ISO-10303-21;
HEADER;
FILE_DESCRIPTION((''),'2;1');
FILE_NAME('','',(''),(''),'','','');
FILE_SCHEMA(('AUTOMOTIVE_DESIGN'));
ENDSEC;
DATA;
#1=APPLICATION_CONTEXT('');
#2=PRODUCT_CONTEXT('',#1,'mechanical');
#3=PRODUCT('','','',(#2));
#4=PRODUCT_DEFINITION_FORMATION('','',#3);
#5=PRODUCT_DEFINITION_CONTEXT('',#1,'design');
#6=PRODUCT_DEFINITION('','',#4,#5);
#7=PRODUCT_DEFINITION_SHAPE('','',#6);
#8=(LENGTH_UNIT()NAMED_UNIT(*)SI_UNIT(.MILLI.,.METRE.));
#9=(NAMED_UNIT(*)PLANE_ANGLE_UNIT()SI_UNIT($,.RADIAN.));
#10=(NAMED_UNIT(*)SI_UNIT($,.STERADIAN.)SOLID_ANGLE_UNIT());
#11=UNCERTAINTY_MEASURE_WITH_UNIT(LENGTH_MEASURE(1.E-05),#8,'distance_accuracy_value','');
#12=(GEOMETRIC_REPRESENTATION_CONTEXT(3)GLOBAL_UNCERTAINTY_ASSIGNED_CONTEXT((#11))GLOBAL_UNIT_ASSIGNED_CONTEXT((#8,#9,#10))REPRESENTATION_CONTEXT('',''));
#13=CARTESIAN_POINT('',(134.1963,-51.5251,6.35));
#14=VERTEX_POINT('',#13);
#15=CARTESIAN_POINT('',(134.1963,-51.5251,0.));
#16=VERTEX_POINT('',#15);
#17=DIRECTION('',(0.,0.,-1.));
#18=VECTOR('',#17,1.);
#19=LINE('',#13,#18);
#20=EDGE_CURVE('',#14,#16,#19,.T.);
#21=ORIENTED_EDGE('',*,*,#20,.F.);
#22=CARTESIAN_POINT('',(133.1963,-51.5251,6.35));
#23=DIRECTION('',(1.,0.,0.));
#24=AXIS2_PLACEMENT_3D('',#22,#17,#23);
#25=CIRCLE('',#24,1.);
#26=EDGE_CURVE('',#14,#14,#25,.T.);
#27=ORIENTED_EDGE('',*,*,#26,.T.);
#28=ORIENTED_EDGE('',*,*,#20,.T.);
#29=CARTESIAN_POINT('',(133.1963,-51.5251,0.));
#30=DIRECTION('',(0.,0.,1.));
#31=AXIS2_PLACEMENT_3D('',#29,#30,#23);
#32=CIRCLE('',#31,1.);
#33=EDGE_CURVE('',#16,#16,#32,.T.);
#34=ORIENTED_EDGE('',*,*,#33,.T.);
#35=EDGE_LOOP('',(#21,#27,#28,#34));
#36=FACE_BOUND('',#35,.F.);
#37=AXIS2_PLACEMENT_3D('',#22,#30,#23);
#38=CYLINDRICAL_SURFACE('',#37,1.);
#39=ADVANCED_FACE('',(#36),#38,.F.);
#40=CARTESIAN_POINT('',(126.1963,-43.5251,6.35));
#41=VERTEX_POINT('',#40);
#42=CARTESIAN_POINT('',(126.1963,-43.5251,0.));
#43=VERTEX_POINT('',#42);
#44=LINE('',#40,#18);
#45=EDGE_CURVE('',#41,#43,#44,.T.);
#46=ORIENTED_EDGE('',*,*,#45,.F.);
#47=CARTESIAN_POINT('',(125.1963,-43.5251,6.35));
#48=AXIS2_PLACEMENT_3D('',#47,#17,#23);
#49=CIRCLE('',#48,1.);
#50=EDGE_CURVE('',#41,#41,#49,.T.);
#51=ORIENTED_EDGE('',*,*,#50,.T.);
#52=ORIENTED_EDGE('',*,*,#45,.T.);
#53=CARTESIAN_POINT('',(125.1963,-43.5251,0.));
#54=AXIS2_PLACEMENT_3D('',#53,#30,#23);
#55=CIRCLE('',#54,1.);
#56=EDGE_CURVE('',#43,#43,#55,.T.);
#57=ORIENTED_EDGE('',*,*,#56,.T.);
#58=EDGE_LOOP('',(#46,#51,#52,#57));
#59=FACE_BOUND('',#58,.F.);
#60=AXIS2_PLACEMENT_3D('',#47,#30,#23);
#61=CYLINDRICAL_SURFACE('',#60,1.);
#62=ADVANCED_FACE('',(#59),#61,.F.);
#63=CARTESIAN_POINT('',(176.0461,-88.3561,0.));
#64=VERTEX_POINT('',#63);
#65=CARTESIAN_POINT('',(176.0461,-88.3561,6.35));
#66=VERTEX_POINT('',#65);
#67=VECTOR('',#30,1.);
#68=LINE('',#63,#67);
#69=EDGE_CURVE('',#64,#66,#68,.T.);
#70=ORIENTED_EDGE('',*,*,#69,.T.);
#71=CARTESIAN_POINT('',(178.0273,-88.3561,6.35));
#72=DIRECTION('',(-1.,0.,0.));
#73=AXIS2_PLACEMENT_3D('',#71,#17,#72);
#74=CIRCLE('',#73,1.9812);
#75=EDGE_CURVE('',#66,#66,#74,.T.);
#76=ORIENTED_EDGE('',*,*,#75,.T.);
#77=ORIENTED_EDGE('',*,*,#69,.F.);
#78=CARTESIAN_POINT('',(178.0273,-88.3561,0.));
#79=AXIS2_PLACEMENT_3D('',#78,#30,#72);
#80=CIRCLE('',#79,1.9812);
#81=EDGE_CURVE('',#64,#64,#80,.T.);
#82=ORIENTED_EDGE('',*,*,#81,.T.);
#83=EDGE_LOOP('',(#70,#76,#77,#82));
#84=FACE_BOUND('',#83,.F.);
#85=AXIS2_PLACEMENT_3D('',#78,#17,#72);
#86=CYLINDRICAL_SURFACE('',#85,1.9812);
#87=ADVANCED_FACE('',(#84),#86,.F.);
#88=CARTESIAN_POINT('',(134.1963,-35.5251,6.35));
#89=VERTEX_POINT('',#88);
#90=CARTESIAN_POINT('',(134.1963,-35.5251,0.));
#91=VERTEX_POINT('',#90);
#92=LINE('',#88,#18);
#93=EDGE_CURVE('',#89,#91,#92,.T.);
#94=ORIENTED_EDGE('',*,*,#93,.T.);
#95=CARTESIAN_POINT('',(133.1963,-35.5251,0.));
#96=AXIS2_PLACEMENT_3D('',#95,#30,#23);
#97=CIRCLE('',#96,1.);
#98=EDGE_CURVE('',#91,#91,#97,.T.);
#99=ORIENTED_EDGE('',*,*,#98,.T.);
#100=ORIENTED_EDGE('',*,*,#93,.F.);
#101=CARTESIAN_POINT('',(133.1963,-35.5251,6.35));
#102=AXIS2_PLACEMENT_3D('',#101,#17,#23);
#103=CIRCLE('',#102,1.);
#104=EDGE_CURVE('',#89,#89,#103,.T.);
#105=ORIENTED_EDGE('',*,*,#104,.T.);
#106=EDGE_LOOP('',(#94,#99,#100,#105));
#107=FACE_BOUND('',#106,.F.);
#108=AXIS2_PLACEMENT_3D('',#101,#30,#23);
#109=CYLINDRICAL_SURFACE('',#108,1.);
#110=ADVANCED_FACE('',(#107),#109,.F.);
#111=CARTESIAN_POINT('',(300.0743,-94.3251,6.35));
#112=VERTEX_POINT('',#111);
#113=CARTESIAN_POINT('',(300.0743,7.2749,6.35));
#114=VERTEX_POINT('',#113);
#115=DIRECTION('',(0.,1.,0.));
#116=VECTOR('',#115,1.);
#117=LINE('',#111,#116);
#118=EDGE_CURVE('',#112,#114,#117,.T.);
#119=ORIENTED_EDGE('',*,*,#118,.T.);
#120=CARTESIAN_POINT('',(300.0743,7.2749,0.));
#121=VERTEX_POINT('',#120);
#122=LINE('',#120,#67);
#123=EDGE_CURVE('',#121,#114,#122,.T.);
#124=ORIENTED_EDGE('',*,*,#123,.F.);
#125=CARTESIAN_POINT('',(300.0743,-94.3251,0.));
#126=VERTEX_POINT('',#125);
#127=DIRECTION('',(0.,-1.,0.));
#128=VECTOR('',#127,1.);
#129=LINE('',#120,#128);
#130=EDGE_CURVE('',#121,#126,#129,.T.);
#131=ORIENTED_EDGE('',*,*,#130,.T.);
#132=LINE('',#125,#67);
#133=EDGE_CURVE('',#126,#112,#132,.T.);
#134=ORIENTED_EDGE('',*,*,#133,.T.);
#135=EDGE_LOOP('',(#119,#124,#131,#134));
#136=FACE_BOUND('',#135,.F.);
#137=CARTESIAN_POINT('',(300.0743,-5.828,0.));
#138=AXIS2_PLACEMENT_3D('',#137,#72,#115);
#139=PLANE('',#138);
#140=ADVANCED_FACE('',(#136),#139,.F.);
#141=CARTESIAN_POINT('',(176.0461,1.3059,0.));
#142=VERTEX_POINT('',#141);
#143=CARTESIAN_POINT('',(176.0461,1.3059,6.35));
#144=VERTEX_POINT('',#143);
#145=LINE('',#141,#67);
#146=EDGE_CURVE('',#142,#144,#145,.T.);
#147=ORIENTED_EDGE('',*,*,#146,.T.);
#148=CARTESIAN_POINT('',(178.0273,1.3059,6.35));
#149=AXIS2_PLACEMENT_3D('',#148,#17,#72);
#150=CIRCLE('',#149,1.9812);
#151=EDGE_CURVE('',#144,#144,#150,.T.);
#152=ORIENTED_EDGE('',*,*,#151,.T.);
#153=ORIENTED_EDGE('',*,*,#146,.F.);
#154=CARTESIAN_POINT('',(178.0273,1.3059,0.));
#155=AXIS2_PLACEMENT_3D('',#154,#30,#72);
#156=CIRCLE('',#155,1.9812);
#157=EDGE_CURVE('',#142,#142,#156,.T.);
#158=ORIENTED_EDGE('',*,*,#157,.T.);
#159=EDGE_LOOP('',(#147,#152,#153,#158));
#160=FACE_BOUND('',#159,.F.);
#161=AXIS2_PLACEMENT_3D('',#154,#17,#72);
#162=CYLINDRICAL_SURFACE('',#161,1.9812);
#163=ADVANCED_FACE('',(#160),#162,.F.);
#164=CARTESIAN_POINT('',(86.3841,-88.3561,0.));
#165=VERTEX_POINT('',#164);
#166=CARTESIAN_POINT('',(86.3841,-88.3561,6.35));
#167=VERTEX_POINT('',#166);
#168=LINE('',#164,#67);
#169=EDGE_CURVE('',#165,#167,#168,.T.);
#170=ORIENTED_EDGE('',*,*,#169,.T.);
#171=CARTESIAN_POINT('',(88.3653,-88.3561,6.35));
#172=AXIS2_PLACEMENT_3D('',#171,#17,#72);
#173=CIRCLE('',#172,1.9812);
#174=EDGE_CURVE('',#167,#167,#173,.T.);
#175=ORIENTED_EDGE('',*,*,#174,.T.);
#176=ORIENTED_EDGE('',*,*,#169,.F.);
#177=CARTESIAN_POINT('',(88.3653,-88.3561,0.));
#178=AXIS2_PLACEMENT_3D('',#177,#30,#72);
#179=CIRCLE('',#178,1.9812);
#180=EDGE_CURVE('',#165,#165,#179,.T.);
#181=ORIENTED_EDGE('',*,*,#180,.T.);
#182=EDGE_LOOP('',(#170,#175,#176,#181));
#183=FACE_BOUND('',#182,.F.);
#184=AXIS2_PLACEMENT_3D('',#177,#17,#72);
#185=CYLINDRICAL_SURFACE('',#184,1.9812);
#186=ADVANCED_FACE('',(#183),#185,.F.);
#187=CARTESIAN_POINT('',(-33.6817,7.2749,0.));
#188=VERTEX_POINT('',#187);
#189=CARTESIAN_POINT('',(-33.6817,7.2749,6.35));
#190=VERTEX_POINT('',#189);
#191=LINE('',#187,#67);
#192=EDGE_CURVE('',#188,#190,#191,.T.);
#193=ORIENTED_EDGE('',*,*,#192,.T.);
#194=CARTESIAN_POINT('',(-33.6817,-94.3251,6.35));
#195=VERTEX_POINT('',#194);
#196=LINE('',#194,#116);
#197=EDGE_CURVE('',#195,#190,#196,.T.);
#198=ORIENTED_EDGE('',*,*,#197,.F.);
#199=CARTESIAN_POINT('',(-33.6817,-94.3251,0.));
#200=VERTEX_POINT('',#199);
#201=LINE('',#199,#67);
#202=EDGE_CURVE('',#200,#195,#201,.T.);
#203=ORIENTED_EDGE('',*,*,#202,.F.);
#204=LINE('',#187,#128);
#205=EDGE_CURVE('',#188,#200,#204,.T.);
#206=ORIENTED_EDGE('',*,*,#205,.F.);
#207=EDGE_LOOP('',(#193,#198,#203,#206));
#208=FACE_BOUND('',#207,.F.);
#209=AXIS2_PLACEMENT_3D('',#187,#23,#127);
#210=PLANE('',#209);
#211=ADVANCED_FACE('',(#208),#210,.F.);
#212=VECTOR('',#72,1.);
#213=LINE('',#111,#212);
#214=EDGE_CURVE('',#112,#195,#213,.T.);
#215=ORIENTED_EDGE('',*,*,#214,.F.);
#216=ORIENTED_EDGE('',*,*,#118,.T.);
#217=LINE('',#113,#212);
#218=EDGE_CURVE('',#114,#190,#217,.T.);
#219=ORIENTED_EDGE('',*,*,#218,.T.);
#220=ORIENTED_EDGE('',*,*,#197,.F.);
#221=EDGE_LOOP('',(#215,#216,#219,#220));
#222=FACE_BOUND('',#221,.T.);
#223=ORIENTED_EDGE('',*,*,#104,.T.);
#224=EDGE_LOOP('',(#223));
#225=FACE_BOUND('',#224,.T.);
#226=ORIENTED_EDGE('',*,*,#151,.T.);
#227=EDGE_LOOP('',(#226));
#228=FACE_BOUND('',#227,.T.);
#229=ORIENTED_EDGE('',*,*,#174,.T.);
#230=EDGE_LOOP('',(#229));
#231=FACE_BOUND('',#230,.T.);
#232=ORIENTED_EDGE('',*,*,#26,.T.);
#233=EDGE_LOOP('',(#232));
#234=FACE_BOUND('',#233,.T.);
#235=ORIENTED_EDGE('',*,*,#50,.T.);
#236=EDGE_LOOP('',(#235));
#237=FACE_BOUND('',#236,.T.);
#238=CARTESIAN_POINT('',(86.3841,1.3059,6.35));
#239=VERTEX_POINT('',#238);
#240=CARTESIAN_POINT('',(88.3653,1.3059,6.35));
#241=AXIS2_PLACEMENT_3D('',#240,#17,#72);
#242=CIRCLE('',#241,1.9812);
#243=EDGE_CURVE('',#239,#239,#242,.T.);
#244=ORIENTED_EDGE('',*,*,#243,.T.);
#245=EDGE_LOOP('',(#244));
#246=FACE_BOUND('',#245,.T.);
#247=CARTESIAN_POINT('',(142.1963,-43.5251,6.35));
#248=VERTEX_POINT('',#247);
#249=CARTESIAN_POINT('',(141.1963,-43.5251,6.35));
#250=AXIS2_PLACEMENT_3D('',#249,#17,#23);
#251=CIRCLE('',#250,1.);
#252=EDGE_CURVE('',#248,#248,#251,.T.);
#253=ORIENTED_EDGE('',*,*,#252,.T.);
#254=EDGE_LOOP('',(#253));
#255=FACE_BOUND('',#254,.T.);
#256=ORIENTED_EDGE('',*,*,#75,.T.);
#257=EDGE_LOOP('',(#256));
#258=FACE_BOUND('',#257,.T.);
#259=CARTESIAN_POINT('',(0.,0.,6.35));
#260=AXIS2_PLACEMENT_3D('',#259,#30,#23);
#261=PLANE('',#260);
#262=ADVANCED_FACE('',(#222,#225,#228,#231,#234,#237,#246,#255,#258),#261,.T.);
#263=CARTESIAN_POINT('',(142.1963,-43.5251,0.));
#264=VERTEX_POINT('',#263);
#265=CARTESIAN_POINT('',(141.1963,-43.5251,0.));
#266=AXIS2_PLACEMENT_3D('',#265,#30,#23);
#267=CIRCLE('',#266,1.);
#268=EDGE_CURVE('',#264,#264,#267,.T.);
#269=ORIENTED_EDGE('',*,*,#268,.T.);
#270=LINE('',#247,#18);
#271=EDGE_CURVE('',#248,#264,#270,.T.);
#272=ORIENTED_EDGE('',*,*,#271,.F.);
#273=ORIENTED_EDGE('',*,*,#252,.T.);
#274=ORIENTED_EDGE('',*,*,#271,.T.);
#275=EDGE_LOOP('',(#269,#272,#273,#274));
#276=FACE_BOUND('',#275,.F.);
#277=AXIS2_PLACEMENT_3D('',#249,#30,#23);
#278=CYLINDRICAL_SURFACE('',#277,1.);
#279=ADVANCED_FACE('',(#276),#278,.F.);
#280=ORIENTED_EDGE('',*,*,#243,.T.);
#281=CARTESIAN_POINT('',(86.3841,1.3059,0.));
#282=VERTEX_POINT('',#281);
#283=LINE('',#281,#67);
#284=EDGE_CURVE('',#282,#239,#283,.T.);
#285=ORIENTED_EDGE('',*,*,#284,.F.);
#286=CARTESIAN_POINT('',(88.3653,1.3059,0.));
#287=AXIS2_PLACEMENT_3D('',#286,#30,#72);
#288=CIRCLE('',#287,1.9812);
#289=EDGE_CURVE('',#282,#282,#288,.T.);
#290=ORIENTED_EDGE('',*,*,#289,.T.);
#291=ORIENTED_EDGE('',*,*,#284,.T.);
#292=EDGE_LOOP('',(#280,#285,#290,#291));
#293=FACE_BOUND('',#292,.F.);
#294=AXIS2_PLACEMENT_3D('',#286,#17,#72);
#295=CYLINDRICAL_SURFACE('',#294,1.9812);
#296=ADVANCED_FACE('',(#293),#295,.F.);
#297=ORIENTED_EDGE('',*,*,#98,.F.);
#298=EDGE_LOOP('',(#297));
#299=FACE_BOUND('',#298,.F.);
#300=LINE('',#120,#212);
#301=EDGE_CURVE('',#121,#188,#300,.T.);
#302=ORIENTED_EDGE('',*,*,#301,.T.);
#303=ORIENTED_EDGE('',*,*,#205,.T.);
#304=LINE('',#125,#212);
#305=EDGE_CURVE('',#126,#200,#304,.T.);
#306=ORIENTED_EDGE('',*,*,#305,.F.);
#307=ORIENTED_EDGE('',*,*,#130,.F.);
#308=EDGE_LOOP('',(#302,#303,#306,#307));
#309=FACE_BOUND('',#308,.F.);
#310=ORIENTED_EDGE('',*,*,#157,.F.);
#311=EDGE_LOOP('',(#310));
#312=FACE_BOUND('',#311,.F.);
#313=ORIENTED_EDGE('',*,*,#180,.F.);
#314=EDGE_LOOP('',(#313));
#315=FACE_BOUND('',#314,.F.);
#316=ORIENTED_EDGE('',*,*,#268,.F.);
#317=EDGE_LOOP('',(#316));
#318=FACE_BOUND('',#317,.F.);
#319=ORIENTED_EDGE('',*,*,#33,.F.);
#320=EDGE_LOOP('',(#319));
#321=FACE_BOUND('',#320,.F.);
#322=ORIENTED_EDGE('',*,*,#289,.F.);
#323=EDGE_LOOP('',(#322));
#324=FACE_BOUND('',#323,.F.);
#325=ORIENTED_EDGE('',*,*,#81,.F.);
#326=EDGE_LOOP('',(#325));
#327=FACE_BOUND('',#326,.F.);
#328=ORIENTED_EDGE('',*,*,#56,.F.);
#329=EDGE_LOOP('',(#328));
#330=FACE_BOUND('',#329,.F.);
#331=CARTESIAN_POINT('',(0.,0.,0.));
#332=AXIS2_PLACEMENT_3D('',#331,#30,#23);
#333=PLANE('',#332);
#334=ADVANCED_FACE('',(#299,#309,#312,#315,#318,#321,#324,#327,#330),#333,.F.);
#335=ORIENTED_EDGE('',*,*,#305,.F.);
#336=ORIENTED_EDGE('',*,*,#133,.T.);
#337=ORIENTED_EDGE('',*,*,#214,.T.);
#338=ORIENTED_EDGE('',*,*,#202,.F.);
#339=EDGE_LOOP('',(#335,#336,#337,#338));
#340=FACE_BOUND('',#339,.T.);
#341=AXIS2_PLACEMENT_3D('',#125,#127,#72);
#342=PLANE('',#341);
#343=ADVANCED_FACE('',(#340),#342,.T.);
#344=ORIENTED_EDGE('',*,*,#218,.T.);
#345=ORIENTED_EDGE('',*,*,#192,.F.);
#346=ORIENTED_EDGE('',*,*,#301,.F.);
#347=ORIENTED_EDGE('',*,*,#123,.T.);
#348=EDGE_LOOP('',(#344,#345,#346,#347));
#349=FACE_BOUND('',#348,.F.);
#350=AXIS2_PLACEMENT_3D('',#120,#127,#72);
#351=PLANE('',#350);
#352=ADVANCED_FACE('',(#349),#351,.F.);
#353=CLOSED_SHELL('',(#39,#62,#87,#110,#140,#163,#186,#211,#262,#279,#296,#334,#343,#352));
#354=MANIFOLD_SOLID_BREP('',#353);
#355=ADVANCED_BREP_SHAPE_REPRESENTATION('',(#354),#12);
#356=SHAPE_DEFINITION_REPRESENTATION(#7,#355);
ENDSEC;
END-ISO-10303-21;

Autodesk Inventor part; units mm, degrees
ref_plane "YZ Plane" through (0, 0, 0) normal (1, 0, 0) x (0, 1, 0)
ref_plane "XZ Plane" through (0, 0, 0) normal (0, 1, 0) x (-1, 0, 0)
ref_plane "XY Plane" through (0, 0, 0) normal (0, 0, 1) x (1, 0, 0)
sketch "Sketch1" plane through (0, 0, 0) normal (0, 0, 1) x (1, 0, 0)
  line L0 (-33.6817, -5.828) -> (300.0743, -5.828)
  line L1 (300.0743, -5.828) -> (300.0743, 7.2749)
  line L2 (300.0743, 7.2749) -> (-33.6817, 7.2749)
  line L3 (-33.6817, 7.2749) -> (-33.6817, -5.828)
  line L4 (-33.6817, 7.2749) -> (300.0743, 7.2749)
  line L5 (300.0743, 7.2749) -> (300.0743, -94.3251)
  line L6 (300.0743, -94.3251) -> (-33.6817, -94.3251)
  line L7 (-33.6817, -94.3251) -> (-33.6817, 7.2749)
  point P0 (0, 0)
  dimension "d0" = 333.756
  dimension "d1" = 101.6
extrude "Extrusion1" add sketch "Sketch1" along normal blind 6.35
sketch "Sketch2" plane through (0, 0, 6.35) normal (0, 0, 1) x (1, 0, 0)
  circle A0 centre (133.1963, -43.5251) radius 8
  circle A1 centre (133.1963, -35.5251) radius 1
  circle A2 centre (141.1963, -43.5251) radius 1
  circle A3 centre (133.1963, -51.5251) radius 1
  circle A4 centre (125.1963, -43.5251) radius 1
  point P0 (0, 0)
  dimension "d4" = 16
  dimension "d5" = 2
  dimension "d6" = 2
  dimension "d7" = 2
  dimension "d8" = 2
extrude "Extrusion2" cut sketch "Sketch2" against normal blind 6.35 contours A0 A2 | A0 A2 | A1 A0 | A0 A1 | A3 A0 | A0 A3 | A4 A0 | A0 A4
sketch "Sketch3" plane through (0, 0, 0) normal (0, 0, -1) x (-1, 0, 0)
  line L0 (33.6817, -94.3251) -> (-300.0743, -94.3251) projected
  line L1 (-133.1963, -43.5251) -> (-133.1963, -88.3561)
  line L2 (-133.1963, -88.3561) -> (-178.0273, -88.3561)
  line L3 (-178.0273, -88.3561) -> (-88.3653, -88.3561)
  line L4 (-88.3653, -88.3561) -> (-88.3653, 1.3059)
  line L5 (-88.3653, 1.3059) -> (-178.0273, 1.3059)
  line L6 (-178.0273, 1.3059) -> (-178.0273, -88.3561)
  circle A0 centre (-88.3653, 1.3059) radius 1.9812
  circle A1 centre (-88.3653, -88.3561) radius 1.9812
  circle A2 centre (-178.0273, -88.3561) radius 1.9812
  circle A3 centre (-178.0273, 1.3059) radius 1.9812
  point P0 (0, 0)
  dimension "d11" = 44.831
  dimension "d12" = 44.831
  dimension "d13" = 89.662
  dimension "d14" = 89.662
  dimension "d15" = 3.9624
  dimension "d16" = 3.9624
  dimension "d17" = 3.9624
extrude "Extrusion3" cut sketch "Sketch3" against normal blind 6.35 contours A2 L6 L2 | L2 L6 A2 | A1 L4 L3 | L3 L4 A1 | A3 L5 L6 | L6 L5 A3 | A0 L5 L4 | L4 L5 A0
properties part number "kinect rotate bottom"
